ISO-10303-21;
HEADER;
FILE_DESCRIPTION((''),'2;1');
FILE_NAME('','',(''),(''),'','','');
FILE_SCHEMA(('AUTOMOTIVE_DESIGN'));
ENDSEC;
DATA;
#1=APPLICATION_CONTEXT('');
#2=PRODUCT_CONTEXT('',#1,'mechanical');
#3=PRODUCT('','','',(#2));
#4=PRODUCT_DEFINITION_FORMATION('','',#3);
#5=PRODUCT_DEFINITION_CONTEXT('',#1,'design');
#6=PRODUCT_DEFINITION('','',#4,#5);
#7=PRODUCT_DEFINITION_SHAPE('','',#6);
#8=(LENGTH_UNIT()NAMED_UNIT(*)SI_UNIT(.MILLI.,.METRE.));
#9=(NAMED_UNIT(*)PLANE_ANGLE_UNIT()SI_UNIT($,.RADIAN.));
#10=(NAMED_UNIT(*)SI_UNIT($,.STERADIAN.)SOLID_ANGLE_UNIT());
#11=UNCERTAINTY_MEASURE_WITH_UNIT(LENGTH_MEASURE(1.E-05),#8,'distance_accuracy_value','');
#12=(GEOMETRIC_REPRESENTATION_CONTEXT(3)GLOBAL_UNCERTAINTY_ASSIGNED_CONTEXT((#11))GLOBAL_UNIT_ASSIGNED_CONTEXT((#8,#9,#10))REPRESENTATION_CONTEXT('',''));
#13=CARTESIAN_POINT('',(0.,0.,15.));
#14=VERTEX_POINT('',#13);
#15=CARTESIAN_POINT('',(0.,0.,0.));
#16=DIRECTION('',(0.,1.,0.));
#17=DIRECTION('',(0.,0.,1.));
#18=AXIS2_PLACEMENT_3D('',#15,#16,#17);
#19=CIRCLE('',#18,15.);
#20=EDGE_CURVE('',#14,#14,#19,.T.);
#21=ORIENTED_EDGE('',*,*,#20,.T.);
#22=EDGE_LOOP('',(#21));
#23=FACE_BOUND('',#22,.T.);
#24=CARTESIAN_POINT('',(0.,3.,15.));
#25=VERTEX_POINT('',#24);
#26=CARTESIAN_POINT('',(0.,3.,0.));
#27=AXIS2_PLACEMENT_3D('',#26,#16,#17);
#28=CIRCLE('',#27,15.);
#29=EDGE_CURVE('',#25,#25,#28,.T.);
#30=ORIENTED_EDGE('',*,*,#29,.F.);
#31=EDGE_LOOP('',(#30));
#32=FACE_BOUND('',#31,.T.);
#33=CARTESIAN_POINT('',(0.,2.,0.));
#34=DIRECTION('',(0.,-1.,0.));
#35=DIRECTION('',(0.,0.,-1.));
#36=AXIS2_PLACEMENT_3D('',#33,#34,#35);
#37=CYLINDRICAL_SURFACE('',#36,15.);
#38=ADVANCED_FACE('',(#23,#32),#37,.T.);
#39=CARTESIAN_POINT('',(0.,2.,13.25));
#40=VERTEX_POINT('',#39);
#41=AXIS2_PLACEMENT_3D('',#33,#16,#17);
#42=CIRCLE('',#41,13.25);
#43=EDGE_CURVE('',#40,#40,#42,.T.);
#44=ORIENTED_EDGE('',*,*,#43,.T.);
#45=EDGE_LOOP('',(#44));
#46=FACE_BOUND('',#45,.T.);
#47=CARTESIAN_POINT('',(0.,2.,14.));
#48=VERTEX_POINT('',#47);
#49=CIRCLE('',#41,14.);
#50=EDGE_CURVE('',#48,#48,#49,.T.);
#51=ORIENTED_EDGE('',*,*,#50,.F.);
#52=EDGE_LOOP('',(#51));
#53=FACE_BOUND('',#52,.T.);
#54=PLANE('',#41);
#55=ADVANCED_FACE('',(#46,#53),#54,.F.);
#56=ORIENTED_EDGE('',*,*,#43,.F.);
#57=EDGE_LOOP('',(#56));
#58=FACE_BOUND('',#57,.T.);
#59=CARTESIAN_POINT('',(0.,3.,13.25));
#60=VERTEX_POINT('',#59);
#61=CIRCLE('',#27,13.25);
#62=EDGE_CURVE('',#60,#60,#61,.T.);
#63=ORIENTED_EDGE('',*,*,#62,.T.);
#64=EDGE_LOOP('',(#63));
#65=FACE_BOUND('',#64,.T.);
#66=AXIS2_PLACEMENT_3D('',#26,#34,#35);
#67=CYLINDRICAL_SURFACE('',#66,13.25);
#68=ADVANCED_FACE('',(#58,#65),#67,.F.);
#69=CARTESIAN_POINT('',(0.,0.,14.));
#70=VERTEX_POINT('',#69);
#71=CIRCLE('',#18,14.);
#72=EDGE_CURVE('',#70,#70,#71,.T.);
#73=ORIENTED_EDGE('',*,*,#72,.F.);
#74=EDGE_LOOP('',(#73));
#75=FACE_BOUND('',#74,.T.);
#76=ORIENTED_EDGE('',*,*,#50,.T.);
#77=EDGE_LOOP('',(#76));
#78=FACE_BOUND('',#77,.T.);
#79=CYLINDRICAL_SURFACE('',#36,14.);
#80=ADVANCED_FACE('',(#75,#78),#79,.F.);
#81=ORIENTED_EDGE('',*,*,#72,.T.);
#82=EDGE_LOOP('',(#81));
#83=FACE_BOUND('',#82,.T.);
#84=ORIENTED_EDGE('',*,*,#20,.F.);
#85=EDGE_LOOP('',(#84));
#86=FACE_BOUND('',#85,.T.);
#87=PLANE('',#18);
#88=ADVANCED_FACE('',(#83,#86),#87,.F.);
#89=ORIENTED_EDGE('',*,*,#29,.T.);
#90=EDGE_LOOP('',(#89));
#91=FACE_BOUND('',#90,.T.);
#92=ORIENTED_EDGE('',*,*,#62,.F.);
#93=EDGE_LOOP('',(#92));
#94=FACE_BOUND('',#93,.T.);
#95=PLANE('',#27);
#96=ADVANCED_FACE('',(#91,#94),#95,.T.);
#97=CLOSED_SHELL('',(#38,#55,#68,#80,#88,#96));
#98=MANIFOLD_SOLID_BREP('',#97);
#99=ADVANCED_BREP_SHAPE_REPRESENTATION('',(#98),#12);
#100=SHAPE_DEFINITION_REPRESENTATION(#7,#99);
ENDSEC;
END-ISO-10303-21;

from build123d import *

# Parameters (mm, degrees)
CROQUIS1_R              = 15
CROQUIS1_R_2            = 14
SALIENTE_EXTRUIR1_DEPTH = 2
CROQUIS2_R              = 15
CROQUIS2_R_2            = 13.25
SALIENTE_EXTRUIR2_DEPTH = 1


with BuildPart() as part:
    # Croquis1 → Saliente-Extruir1 (new body)
    with BuildSketch(Plane(origin=(0, 0, 0), x_dir=(1, 0, 0), z_dir=(0, 1, 0))):
        with Locations(Location((0, 0, 0), (0, 0, 270))):
            Circle(CROQUIS1_R)
        with Locations(Location((0, 0, 0), (0, 0, 270))):
            Circle(CROQUIS1_R_2, mode=Mode.SUBTRACT)
    extrude(amount=SALIENTE_EXTRUIR1_DEPTH)

    # Croquis2 → Saliente-Extruir2 (add)
    with BuildSketch(Plane(origin=(0, 2, 0), x_dir=(1, 0, 0), z_dir=(0, 1, 0))):
        with Locations(Location((0, 0, 0), (0, 0, 270))):
            Circle(CROQUIS2_R)
        with Locations(Location((0, 0, 0), (0, 0, 270))):
            Circle(CROQUIS2_R_2, mode=Mode.SUBTRACT)
    extrude(amount=SALIENTE_EXTRUIR2_DEPTH)


solid = part.part
